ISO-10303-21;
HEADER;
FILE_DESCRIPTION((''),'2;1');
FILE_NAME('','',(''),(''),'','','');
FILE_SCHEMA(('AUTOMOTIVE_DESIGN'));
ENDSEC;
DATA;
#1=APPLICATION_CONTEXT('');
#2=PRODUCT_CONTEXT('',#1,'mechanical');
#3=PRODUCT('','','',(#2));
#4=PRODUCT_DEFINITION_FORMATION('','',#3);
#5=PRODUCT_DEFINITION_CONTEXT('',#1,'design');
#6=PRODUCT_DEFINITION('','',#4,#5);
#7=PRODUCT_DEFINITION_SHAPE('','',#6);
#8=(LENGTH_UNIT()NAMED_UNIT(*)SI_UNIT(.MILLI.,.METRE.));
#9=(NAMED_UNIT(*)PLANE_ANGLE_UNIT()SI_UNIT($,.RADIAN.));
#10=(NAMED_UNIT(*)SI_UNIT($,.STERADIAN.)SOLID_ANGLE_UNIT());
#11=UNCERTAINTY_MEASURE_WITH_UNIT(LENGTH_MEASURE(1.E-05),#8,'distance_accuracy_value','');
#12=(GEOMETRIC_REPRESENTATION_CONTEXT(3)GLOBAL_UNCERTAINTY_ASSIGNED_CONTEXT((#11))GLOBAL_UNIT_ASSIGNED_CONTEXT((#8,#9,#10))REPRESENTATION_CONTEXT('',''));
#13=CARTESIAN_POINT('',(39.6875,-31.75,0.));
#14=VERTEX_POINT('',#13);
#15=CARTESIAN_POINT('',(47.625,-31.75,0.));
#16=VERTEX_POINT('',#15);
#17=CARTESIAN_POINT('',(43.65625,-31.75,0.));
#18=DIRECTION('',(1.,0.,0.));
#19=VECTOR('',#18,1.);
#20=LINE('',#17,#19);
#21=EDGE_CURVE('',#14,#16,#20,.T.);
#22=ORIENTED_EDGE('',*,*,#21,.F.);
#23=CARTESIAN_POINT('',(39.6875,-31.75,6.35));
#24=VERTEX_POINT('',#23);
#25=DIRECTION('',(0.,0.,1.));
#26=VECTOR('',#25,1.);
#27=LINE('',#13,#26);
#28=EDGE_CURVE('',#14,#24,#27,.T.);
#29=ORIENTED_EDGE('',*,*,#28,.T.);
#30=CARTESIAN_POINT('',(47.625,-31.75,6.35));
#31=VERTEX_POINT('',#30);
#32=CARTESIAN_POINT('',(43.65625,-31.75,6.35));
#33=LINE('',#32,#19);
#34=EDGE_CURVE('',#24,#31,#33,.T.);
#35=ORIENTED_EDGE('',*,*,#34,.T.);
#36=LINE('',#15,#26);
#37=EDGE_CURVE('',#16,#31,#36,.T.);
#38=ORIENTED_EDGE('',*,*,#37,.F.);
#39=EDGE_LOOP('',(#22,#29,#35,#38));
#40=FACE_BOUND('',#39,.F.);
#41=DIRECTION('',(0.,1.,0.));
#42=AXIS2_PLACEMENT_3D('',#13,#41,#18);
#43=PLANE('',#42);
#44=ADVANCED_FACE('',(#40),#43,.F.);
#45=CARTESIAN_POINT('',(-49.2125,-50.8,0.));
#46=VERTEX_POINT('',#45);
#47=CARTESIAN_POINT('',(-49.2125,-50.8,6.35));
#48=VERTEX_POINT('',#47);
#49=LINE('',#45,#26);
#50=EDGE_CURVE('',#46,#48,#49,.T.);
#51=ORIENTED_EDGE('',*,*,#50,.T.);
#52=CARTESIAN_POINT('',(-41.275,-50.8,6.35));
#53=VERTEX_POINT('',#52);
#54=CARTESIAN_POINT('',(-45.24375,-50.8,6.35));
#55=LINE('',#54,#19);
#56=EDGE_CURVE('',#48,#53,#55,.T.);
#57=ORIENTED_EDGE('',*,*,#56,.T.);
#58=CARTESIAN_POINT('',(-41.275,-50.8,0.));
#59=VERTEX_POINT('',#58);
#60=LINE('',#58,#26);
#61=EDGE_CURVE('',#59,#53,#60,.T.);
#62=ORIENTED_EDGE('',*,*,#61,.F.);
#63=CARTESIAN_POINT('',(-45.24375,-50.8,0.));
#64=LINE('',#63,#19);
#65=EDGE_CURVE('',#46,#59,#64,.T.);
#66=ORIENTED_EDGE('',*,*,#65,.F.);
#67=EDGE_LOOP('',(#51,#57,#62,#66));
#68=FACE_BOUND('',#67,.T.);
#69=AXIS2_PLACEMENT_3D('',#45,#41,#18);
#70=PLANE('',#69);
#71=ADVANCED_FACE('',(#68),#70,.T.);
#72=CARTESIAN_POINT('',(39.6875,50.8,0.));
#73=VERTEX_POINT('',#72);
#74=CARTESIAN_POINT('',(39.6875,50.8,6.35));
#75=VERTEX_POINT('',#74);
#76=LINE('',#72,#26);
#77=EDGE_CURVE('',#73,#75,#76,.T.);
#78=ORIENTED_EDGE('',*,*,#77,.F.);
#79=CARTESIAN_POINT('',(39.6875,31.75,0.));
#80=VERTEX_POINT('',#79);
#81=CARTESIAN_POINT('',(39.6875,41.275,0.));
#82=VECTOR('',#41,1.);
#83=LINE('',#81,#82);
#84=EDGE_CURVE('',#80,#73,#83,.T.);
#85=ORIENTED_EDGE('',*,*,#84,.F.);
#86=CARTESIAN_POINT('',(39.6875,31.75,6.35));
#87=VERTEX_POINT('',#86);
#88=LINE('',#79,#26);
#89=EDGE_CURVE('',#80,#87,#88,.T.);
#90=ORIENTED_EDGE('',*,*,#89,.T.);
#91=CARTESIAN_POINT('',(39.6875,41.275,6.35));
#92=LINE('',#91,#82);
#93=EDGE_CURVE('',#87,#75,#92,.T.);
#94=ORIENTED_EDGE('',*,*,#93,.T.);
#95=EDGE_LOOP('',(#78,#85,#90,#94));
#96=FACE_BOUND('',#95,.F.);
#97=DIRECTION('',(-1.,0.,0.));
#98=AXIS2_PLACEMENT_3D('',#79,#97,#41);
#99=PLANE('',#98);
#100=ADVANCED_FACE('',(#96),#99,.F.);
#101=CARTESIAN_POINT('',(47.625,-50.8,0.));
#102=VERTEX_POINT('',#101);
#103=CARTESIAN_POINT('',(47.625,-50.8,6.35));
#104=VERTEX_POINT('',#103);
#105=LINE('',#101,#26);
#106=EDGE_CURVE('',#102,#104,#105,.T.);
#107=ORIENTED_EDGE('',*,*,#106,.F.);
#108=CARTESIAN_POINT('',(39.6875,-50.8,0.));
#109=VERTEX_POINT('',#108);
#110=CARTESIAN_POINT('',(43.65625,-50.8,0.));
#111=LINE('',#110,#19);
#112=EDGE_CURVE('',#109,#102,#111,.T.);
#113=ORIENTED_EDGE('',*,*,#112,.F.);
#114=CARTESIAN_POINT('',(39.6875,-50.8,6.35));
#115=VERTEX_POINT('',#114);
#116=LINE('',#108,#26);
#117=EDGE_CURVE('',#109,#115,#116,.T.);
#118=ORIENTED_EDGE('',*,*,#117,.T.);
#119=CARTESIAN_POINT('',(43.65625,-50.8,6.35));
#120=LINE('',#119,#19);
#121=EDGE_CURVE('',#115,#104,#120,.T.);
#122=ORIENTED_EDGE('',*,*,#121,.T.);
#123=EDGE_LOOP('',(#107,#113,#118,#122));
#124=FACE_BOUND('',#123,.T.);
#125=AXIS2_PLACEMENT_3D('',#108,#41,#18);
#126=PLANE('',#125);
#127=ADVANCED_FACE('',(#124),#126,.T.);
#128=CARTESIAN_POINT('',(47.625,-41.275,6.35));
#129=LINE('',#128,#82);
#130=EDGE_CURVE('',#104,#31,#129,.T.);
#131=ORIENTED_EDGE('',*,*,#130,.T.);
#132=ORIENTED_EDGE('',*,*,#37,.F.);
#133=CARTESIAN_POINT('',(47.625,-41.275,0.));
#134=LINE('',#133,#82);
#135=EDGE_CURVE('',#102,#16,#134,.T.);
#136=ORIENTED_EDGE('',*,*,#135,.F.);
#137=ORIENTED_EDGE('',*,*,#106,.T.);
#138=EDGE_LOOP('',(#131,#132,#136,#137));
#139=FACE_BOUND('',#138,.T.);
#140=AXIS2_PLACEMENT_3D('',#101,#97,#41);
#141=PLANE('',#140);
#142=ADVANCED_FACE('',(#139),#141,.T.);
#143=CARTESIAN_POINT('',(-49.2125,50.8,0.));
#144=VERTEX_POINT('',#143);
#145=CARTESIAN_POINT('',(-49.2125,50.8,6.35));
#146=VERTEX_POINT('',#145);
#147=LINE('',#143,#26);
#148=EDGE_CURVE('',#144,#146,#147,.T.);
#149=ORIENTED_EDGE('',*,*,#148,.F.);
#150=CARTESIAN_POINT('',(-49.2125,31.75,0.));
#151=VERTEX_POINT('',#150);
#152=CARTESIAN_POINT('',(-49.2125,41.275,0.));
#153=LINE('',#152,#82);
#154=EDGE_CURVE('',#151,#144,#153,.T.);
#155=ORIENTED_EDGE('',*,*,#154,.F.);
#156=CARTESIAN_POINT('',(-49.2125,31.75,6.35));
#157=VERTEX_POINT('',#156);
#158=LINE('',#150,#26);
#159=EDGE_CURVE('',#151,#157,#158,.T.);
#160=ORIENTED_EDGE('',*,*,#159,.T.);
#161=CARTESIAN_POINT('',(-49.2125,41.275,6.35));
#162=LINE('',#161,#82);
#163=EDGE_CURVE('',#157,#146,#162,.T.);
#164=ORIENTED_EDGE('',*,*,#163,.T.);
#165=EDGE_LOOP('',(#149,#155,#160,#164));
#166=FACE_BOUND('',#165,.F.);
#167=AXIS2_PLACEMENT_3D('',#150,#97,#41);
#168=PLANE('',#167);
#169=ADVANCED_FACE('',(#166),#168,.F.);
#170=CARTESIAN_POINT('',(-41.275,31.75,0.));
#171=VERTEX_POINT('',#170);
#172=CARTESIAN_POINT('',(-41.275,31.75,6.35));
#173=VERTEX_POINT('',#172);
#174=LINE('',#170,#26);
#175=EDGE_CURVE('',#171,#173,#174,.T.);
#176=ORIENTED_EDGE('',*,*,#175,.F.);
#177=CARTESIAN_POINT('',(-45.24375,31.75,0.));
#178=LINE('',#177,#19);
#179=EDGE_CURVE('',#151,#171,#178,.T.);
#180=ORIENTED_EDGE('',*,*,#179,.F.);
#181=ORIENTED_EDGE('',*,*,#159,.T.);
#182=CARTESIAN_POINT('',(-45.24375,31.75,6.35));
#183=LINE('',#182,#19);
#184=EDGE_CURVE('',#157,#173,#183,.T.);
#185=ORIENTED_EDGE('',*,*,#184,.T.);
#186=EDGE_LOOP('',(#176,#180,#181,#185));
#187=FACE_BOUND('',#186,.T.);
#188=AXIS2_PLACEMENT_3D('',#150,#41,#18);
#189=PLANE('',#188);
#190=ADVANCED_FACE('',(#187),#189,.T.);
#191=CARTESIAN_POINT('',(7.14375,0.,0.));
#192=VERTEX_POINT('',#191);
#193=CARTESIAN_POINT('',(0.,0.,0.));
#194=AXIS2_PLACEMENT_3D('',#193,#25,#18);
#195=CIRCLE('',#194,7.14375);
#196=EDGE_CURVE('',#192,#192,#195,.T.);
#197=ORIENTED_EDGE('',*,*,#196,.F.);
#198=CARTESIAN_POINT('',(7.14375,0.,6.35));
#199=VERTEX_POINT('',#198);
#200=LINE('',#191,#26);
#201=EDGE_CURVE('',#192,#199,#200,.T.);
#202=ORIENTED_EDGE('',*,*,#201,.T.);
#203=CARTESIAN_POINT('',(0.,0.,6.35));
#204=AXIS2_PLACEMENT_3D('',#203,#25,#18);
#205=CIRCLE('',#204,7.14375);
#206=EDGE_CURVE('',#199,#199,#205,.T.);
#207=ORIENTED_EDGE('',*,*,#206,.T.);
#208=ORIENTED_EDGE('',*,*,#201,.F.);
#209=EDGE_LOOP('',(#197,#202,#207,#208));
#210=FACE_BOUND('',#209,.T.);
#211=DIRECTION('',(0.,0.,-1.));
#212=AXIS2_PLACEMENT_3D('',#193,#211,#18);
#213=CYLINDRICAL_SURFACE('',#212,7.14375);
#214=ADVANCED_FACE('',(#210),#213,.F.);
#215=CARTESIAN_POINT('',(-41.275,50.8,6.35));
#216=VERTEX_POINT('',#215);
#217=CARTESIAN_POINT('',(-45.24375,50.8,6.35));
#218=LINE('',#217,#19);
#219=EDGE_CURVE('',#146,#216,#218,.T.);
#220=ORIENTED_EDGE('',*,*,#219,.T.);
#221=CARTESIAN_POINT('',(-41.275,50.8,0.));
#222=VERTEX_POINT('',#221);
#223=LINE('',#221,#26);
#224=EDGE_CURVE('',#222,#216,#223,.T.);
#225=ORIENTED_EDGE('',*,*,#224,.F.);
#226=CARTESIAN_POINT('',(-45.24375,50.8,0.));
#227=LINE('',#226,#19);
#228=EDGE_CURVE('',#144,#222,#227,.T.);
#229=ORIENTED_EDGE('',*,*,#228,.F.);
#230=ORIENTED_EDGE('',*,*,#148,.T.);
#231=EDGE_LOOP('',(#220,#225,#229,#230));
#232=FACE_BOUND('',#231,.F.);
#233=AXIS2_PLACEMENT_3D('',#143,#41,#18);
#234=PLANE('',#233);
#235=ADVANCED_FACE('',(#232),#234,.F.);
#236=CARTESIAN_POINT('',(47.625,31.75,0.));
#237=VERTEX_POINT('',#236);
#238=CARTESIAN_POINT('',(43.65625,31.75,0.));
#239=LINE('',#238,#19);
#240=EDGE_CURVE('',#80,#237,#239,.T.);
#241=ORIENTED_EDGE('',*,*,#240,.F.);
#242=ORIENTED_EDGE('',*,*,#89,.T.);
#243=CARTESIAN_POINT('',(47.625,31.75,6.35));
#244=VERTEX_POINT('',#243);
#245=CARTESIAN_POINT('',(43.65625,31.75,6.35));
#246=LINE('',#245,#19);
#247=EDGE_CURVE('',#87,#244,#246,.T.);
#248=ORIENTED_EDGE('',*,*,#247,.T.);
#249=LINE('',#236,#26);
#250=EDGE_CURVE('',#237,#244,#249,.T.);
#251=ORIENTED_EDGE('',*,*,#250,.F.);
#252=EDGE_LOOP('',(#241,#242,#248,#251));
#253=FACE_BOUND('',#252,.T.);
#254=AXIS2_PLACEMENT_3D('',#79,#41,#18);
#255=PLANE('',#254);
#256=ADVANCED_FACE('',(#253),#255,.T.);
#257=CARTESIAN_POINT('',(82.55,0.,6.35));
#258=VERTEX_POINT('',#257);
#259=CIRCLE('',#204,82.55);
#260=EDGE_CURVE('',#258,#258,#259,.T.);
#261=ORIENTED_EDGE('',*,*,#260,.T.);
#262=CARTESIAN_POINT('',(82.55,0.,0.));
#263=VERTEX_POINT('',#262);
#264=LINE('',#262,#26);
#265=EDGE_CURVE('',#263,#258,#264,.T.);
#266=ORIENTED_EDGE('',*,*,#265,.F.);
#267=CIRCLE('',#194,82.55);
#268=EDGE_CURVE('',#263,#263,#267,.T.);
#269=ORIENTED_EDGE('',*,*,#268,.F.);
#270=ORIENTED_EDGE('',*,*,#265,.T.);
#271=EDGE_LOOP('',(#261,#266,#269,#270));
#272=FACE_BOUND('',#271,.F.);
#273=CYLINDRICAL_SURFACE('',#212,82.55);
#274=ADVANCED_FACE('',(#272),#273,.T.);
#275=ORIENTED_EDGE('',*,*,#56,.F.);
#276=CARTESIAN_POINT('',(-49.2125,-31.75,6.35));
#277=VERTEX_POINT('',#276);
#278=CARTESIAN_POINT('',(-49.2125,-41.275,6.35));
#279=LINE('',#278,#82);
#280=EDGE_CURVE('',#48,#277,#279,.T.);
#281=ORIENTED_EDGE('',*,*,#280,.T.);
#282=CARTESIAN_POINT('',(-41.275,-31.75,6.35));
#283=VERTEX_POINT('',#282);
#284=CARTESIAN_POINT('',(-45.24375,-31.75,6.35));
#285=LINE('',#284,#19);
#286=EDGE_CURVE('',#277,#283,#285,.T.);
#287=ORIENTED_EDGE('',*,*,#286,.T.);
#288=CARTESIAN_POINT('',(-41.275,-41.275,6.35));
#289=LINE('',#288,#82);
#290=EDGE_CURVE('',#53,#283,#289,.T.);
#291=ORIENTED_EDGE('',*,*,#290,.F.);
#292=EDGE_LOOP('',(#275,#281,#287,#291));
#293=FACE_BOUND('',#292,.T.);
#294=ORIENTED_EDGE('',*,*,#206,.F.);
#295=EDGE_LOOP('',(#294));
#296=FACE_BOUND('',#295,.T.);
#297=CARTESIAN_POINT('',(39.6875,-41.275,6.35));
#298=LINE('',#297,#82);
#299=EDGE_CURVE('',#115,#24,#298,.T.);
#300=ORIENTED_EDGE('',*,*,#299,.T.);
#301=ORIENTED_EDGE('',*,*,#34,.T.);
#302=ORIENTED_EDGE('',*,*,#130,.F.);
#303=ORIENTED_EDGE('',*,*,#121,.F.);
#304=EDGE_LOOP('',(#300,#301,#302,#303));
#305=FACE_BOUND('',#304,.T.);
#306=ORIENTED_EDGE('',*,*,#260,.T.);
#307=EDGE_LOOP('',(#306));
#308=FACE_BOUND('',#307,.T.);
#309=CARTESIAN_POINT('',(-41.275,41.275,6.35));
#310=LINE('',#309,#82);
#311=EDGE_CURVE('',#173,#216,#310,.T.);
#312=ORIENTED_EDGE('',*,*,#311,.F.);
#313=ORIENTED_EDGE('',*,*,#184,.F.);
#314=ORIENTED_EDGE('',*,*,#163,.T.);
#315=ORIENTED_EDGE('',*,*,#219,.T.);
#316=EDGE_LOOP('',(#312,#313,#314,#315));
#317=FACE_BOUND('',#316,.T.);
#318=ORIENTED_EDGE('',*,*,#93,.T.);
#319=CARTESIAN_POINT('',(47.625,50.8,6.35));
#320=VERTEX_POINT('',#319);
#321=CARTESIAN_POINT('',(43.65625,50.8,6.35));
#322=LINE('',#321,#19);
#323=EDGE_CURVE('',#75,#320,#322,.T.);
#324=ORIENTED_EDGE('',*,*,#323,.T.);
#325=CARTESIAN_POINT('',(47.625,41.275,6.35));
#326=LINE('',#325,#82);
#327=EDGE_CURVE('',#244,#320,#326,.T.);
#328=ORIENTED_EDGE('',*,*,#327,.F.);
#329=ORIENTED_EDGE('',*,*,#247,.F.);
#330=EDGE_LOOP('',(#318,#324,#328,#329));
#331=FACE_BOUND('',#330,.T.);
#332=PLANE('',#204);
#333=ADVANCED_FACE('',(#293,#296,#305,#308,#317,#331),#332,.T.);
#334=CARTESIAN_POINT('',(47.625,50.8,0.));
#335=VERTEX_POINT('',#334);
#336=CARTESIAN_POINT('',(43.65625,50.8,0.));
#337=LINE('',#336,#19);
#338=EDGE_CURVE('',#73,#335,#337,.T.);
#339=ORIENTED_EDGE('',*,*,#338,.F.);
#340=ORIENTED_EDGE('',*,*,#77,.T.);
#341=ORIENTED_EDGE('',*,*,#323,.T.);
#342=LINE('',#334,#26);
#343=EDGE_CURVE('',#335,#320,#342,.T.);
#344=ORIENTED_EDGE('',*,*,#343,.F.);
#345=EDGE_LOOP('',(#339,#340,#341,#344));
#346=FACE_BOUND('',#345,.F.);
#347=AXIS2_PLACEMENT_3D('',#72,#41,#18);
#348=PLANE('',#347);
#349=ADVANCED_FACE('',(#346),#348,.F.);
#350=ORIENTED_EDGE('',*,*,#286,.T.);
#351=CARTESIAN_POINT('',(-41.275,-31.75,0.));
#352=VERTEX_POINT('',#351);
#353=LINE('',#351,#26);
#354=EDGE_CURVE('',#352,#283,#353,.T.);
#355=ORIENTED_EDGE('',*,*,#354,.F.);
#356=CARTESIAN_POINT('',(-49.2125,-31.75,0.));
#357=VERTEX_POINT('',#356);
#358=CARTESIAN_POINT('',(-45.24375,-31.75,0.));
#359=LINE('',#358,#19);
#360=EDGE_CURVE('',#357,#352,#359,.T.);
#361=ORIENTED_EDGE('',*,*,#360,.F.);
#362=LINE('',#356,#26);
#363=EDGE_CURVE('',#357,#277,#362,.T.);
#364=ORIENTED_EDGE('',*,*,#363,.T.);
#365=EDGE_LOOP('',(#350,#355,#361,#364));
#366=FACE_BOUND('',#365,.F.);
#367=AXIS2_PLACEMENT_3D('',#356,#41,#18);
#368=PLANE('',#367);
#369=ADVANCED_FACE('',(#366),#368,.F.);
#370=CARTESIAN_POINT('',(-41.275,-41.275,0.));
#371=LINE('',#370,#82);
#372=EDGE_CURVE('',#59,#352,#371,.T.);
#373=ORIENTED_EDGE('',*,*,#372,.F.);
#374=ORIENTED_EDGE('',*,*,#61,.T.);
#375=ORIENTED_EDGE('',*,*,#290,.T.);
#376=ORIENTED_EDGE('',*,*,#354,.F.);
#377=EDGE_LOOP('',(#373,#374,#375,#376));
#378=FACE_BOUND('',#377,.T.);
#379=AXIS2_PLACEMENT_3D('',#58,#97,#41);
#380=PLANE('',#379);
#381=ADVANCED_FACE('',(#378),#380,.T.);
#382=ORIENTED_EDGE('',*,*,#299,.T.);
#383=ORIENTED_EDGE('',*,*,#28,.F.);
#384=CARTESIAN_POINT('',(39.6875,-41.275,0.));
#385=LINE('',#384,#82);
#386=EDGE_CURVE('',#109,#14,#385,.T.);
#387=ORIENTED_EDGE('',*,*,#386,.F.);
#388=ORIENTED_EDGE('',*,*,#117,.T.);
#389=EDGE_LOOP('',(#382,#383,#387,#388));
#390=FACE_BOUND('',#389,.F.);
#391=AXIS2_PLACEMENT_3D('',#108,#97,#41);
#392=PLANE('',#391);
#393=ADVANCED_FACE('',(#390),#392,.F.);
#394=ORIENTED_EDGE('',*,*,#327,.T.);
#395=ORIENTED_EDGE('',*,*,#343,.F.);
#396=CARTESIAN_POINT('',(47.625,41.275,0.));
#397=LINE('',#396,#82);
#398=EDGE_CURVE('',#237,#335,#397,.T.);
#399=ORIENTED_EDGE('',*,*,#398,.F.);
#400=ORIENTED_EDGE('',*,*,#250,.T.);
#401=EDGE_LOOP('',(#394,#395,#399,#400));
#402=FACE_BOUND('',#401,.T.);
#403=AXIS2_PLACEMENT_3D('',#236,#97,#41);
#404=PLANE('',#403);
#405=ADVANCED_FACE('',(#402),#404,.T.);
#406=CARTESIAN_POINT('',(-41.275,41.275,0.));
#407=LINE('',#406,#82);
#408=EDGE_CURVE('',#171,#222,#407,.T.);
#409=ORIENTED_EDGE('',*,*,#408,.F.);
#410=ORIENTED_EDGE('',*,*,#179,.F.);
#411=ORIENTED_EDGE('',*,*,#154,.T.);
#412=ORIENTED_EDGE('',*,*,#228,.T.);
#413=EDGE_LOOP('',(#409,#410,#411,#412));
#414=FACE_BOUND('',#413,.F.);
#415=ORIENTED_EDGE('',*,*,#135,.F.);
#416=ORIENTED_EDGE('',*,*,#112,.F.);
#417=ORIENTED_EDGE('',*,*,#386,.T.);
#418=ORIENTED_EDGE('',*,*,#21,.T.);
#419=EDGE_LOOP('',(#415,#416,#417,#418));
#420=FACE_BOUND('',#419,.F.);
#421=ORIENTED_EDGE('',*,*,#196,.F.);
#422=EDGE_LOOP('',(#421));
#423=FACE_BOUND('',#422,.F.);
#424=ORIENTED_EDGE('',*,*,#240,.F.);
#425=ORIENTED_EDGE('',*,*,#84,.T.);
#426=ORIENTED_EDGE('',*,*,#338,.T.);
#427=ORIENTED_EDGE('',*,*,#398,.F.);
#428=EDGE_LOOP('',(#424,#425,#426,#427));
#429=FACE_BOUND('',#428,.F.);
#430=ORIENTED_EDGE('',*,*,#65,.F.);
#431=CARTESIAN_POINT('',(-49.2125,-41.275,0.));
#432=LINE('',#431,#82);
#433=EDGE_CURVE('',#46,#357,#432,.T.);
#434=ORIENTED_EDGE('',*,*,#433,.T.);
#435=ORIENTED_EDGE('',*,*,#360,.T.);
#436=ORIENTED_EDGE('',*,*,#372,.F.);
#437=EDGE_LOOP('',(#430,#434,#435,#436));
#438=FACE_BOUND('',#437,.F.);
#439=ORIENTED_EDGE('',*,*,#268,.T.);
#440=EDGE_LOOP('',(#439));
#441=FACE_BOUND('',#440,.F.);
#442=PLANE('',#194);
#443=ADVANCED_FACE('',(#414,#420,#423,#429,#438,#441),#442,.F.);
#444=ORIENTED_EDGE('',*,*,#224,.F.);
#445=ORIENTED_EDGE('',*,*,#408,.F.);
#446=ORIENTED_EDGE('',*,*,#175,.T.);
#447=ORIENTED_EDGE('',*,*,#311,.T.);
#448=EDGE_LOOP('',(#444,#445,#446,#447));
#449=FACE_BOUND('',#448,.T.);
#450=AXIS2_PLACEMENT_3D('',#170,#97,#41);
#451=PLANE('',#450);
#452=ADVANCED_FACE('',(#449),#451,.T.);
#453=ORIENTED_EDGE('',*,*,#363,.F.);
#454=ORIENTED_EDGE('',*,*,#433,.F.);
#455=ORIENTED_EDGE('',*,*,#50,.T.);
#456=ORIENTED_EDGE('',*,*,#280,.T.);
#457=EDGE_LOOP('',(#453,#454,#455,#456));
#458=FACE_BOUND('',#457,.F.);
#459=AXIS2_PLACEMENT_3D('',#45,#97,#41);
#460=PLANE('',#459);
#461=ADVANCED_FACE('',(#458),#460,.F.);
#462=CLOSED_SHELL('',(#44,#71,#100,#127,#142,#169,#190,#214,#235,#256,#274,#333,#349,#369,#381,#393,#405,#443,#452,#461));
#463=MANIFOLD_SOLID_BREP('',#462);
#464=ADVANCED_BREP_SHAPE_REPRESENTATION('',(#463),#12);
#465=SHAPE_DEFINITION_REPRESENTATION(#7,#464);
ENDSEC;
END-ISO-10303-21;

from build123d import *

# Parameters (mm, degrees)
F0_R     = 82.55
F0_W     = 7.9375
F0_H     = 19.05
F0_R_2   = 7.14375
F1_DEPTH = 6.35


with BuildPart() as f1:
    # F0 (on Top) → F1 (new body)
    with BuildSketch(Plane.XY):
        Circle(F0_R)
        with Locations((-45.24375, -41.275)):
            Rectangle(F0_W, F0_H, mode=Mode.SUBTRACT)
        with Locations((43.65625, -41.275)):
            Rectangle(F0_W, F0_H, mode=Mode.SUBTRACT)
        with Locations((-45.24375, 41.275)):
            Rectangle(F0_W, F0_H, mode=Mode.SUBTRACT)
        Circle(F0_R_2, mode=Mode.SUBTRACT)
        with Locations((43.65625, 41.275)):
            Rectangle(F0_W, F0_H, mode=Mode.SUBTRACT)
    extrude(amount=F1_DEPTH)


solid = f1.part
